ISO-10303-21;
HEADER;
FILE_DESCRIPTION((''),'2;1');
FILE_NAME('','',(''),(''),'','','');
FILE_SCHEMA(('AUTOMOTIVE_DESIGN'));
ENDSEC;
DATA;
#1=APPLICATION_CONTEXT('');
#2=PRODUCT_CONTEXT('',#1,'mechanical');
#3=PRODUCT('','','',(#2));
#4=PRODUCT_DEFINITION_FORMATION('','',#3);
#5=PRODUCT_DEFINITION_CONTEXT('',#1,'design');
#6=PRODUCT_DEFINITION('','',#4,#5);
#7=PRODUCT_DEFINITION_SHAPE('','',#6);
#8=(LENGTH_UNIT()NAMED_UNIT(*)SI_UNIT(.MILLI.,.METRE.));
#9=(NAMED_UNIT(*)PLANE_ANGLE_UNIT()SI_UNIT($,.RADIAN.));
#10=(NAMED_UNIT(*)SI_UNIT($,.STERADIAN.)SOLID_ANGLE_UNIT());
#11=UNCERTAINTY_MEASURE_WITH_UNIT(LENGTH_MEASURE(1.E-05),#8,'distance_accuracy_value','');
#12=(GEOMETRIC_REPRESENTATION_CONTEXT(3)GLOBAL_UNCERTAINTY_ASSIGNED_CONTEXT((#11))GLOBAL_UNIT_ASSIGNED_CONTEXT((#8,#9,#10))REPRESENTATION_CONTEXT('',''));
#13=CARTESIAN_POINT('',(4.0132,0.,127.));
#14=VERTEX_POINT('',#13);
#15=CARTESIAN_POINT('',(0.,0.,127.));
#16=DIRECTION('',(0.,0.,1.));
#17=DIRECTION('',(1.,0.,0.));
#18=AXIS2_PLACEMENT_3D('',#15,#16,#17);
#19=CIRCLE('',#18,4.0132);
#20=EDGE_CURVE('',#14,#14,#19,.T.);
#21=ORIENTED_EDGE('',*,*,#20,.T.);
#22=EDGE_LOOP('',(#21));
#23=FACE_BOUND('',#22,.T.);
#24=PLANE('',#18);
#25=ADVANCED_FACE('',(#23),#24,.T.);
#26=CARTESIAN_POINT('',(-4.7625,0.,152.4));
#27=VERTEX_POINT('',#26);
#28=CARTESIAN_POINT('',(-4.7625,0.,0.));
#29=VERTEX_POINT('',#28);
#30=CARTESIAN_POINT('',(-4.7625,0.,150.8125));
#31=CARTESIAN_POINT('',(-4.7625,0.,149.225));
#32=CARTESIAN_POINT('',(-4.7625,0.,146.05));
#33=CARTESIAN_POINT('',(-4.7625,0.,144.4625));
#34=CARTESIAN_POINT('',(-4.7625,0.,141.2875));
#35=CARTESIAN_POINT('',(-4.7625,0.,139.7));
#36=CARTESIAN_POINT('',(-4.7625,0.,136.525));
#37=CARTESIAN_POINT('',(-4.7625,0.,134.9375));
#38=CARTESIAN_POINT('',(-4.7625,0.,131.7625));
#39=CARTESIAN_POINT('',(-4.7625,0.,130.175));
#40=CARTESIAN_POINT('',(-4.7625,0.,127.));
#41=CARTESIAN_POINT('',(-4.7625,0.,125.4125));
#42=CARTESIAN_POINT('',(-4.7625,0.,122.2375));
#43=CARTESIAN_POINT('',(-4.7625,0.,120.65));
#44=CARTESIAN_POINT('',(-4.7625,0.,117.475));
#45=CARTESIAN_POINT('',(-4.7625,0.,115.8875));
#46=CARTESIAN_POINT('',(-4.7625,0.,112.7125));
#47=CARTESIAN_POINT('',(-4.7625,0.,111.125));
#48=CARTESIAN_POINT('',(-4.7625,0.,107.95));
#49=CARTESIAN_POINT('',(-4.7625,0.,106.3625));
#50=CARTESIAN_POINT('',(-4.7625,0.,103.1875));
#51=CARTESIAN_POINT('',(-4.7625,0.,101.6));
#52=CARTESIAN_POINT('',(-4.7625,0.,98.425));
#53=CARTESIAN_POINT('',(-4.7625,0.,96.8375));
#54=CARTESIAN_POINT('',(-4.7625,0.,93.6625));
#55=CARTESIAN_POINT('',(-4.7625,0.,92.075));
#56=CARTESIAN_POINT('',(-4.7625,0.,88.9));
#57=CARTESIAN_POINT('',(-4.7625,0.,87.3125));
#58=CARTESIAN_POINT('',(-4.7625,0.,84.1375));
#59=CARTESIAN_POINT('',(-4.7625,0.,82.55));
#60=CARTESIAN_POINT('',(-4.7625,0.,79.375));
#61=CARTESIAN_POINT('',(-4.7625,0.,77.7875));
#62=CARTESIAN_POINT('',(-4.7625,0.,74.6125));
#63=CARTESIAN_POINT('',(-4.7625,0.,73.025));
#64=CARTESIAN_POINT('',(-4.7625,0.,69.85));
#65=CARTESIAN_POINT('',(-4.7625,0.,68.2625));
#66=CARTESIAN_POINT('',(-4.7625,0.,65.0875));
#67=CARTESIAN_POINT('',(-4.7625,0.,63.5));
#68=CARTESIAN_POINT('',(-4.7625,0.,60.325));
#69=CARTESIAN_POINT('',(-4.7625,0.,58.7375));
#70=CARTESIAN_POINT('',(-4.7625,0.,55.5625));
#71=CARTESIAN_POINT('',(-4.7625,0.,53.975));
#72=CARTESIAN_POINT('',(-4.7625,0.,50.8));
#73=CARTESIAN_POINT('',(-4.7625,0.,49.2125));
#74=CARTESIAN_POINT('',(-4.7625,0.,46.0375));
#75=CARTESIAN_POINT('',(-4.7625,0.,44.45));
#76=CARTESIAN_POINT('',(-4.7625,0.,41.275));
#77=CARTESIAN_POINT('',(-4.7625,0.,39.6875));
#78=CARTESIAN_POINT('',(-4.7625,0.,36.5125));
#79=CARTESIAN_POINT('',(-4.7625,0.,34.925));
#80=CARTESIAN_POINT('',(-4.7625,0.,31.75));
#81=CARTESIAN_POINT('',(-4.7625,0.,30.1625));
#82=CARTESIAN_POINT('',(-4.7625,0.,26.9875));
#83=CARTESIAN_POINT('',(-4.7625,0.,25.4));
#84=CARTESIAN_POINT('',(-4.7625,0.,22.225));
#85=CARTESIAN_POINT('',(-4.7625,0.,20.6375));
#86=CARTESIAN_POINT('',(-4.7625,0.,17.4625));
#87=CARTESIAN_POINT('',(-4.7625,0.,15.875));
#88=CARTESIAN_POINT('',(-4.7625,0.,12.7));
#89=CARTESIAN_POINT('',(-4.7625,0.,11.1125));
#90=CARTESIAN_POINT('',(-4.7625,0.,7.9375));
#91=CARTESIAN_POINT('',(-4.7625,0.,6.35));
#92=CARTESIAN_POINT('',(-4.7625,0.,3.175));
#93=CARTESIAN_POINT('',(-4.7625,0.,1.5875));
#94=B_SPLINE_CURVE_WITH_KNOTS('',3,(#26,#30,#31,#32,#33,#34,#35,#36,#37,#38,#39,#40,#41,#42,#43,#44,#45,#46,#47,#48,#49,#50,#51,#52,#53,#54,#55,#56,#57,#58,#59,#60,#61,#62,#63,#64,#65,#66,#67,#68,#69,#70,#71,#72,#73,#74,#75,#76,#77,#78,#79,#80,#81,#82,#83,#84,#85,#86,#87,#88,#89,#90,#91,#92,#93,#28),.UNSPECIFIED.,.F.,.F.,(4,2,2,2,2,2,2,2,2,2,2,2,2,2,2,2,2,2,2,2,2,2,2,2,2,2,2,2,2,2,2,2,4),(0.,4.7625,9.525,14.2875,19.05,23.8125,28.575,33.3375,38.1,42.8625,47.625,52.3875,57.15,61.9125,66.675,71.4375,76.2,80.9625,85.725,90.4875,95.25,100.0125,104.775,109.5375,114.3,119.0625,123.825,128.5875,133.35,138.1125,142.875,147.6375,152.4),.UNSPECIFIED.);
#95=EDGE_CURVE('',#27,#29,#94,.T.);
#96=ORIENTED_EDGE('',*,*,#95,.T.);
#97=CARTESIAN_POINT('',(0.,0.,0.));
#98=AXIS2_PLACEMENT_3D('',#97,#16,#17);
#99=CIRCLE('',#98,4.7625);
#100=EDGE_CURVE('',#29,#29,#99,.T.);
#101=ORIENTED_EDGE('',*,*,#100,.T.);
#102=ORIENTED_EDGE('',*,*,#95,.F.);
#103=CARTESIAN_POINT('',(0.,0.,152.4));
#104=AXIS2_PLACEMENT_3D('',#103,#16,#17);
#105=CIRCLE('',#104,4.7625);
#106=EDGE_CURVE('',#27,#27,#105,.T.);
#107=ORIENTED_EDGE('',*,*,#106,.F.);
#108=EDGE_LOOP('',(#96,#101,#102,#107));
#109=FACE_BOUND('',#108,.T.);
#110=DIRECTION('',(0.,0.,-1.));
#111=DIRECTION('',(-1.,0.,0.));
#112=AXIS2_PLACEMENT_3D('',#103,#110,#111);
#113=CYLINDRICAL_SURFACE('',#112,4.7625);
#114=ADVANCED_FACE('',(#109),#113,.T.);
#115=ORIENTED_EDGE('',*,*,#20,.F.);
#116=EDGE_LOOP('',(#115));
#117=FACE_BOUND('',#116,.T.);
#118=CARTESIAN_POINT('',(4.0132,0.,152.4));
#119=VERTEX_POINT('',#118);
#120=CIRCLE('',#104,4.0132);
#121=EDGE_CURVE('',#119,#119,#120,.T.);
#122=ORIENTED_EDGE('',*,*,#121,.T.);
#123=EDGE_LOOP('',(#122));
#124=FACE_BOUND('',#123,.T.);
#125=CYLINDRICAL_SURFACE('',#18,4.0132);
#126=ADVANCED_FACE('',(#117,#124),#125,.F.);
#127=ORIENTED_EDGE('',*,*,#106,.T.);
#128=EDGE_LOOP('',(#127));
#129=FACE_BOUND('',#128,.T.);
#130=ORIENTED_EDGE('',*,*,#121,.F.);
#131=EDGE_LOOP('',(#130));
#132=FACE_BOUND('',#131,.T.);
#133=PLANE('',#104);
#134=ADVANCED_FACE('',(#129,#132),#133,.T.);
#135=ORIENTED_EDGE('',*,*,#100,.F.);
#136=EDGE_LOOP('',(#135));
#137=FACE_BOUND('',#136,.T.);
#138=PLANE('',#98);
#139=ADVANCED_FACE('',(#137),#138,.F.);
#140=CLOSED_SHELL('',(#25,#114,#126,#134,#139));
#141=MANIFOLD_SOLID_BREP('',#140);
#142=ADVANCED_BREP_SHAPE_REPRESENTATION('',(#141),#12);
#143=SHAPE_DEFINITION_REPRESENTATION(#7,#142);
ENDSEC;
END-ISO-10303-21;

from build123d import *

# Parameters (mm, degrees)
SKETCH1_R           = 4.7625
BOSS_EXTRUDE1_DEPTH = 152.4
SKETCH2_R           = 4.0132
CUT_EXTRUDE1_DEPTH  = 25.4


with BuildPart() as part:
    # Sketch1 → Boss-Extrude1 (new body)
    with BuildSketch(Plane.XY):
        with Locations(Location((0, 0, 0), (0, 0, 180))):
            Circle(SKETCH1_R)
    extrude(amount=BOSS_EXTRUDE1_DEPTH)

    # Sketch2 → Cut-Extrude1 (cut)
    with BuildSketch(Plane.XY.offset(152.4)):
        Circle(SKETCH2_R)
    extrude(amount=-CUT_EXTRUDE1_DEPTH, mode=Mode.SUBTRACT)


solid = part.part
